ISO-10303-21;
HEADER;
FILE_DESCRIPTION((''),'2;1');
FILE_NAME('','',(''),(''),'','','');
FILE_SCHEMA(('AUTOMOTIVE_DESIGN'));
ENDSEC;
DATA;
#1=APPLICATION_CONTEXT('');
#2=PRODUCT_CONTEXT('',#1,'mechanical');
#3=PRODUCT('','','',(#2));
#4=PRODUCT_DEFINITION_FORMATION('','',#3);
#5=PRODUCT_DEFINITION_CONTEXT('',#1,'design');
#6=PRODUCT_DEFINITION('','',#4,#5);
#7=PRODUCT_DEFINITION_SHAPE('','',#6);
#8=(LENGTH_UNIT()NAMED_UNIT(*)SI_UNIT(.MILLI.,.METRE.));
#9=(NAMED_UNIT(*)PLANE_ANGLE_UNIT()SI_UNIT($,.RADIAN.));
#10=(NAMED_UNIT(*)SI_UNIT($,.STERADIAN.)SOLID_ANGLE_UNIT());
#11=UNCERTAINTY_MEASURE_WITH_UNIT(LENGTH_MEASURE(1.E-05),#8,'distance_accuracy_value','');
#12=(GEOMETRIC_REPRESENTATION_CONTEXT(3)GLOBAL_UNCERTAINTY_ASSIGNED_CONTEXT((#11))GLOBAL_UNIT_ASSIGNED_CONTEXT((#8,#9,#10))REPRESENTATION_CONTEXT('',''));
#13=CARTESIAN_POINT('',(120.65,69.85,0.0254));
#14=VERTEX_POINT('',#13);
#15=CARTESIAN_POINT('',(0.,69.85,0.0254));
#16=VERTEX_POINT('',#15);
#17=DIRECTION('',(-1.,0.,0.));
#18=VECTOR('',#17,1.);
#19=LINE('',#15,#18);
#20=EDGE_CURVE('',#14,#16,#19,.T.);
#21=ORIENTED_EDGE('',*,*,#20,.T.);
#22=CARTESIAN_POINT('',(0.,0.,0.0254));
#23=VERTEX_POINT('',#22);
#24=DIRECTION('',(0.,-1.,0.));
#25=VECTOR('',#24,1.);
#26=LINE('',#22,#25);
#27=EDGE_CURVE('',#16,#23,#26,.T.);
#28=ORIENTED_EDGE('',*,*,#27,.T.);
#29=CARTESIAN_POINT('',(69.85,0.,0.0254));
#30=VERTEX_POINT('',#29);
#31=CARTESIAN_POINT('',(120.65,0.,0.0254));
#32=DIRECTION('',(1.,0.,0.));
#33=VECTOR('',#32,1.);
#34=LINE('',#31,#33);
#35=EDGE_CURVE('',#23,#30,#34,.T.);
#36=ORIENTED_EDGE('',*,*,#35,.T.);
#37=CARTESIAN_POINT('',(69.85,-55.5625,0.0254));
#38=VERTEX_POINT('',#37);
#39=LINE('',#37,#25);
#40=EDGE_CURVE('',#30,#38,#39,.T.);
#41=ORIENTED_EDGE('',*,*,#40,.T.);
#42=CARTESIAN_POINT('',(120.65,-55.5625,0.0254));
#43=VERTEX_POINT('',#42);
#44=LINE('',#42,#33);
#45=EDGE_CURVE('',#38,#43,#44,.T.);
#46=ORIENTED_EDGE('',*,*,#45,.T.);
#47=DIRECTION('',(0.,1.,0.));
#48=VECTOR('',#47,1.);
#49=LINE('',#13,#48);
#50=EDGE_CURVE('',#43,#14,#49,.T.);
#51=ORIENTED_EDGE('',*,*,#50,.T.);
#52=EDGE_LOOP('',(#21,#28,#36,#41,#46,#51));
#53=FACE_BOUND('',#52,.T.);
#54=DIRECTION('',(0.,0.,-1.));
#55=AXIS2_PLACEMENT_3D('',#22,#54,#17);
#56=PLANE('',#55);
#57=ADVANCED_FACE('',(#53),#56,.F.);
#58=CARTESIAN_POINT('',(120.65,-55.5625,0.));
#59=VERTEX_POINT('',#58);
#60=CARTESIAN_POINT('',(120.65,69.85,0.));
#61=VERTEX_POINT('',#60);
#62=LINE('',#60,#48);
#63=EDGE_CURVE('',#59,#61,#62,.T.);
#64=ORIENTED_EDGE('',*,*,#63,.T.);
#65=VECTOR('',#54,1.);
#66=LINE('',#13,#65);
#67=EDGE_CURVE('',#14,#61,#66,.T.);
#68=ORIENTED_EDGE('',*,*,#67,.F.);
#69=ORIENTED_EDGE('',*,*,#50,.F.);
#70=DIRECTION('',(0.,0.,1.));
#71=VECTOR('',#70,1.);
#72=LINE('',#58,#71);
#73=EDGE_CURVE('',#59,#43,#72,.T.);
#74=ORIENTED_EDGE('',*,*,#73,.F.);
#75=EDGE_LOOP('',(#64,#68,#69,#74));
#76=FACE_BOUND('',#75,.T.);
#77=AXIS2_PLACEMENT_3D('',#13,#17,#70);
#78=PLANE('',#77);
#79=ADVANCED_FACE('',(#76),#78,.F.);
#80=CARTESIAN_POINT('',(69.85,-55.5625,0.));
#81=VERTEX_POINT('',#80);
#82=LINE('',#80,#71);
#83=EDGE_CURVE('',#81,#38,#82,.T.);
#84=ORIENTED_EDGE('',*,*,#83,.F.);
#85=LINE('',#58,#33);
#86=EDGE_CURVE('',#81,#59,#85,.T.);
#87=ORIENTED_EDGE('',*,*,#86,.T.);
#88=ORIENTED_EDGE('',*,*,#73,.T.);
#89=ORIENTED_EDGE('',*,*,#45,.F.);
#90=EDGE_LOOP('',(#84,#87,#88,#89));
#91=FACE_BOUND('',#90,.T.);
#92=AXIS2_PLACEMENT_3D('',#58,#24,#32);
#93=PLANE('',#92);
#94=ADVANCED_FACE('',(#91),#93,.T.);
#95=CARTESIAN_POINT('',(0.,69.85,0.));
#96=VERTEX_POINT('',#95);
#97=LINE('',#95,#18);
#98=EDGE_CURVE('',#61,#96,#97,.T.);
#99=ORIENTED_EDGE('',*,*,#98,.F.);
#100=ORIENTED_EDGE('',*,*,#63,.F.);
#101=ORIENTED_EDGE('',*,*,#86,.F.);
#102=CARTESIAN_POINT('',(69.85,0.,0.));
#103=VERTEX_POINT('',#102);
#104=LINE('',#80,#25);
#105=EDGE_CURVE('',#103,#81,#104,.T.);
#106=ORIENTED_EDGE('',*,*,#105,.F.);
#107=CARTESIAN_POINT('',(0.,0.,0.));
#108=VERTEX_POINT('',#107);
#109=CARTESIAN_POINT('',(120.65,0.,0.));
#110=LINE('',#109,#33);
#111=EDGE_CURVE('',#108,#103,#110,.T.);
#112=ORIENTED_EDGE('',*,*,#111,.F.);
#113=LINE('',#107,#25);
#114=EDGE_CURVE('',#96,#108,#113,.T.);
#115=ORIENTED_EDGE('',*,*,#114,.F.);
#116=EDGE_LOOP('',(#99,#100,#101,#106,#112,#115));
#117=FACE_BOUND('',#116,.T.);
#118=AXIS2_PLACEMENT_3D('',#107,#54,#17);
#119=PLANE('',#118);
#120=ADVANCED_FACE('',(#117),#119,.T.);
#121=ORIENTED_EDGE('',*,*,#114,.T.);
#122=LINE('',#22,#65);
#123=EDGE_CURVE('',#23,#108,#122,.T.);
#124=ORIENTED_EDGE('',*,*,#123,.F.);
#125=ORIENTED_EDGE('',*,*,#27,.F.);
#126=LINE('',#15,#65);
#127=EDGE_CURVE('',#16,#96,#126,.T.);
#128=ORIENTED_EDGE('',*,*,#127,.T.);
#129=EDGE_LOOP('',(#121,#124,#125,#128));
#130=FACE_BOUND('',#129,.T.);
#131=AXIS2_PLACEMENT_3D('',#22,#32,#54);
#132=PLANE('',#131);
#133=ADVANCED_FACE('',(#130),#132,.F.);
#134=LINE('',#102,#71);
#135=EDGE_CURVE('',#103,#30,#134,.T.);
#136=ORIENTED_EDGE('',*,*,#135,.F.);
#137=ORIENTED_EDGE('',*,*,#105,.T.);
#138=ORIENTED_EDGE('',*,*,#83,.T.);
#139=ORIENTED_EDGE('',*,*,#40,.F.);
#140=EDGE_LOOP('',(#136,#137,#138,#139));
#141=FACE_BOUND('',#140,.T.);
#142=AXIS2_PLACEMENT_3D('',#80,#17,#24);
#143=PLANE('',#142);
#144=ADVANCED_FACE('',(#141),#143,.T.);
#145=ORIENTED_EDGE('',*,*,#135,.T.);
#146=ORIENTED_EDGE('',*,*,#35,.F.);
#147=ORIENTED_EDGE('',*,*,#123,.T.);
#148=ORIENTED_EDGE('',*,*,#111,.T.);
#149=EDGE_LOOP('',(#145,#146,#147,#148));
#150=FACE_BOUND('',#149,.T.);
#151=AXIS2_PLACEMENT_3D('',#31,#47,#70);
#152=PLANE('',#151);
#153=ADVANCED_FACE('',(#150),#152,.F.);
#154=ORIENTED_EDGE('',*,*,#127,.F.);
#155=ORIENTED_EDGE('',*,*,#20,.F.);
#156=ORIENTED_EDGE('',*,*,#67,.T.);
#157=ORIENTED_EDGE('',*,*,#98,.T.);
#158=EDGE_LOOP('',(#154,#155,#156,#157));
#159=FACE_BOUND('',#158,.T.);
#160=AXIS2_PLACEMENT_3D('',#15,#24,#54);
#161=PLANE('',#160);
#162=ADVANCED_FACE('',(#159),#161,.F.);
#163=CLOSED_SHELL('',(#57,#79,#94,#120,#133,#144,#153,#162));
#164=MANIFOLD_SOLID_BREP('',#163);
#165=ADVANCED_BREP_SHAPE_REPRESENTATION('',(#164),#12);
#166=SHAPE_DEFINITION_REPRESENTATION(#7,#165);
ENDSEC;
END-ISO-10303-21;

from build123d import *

# Parameters (mm, degrees)
SKETCH1_W           = 120.65
SKETCH1_H           = 69.85
BOSS_EXTRUDE1_DEPTH = 0.0254
SKETCH2_W           = 50.8
SKETCH2_H           = 55.5625
BOSS_EXTRUDE2_DEPTH = 0.0254


with BuildPart() as part:
    # Sketch1 → Boss-Extrude1 (new body)
    with BuildSketch(Plane.XY):
        with Locations((60.325, 34.925)):
            Rectangle(SKETCH1_W, SKETCH1_H)
    extrude(amount=BOSS_EXTRUDE1_DEPTH)

    # Sketch2 → Boss-Extrude2 (add)
    with BuildSketch(Plane.XY.offset(0.0254)):
        with Locations((95.25, -27.78125)):
            Rectangle(SKETCH2_W, SKETCH2_H)
    extrude(amount=-BOSS_EXTRUDE2_DEPTH)


solid = part.part
